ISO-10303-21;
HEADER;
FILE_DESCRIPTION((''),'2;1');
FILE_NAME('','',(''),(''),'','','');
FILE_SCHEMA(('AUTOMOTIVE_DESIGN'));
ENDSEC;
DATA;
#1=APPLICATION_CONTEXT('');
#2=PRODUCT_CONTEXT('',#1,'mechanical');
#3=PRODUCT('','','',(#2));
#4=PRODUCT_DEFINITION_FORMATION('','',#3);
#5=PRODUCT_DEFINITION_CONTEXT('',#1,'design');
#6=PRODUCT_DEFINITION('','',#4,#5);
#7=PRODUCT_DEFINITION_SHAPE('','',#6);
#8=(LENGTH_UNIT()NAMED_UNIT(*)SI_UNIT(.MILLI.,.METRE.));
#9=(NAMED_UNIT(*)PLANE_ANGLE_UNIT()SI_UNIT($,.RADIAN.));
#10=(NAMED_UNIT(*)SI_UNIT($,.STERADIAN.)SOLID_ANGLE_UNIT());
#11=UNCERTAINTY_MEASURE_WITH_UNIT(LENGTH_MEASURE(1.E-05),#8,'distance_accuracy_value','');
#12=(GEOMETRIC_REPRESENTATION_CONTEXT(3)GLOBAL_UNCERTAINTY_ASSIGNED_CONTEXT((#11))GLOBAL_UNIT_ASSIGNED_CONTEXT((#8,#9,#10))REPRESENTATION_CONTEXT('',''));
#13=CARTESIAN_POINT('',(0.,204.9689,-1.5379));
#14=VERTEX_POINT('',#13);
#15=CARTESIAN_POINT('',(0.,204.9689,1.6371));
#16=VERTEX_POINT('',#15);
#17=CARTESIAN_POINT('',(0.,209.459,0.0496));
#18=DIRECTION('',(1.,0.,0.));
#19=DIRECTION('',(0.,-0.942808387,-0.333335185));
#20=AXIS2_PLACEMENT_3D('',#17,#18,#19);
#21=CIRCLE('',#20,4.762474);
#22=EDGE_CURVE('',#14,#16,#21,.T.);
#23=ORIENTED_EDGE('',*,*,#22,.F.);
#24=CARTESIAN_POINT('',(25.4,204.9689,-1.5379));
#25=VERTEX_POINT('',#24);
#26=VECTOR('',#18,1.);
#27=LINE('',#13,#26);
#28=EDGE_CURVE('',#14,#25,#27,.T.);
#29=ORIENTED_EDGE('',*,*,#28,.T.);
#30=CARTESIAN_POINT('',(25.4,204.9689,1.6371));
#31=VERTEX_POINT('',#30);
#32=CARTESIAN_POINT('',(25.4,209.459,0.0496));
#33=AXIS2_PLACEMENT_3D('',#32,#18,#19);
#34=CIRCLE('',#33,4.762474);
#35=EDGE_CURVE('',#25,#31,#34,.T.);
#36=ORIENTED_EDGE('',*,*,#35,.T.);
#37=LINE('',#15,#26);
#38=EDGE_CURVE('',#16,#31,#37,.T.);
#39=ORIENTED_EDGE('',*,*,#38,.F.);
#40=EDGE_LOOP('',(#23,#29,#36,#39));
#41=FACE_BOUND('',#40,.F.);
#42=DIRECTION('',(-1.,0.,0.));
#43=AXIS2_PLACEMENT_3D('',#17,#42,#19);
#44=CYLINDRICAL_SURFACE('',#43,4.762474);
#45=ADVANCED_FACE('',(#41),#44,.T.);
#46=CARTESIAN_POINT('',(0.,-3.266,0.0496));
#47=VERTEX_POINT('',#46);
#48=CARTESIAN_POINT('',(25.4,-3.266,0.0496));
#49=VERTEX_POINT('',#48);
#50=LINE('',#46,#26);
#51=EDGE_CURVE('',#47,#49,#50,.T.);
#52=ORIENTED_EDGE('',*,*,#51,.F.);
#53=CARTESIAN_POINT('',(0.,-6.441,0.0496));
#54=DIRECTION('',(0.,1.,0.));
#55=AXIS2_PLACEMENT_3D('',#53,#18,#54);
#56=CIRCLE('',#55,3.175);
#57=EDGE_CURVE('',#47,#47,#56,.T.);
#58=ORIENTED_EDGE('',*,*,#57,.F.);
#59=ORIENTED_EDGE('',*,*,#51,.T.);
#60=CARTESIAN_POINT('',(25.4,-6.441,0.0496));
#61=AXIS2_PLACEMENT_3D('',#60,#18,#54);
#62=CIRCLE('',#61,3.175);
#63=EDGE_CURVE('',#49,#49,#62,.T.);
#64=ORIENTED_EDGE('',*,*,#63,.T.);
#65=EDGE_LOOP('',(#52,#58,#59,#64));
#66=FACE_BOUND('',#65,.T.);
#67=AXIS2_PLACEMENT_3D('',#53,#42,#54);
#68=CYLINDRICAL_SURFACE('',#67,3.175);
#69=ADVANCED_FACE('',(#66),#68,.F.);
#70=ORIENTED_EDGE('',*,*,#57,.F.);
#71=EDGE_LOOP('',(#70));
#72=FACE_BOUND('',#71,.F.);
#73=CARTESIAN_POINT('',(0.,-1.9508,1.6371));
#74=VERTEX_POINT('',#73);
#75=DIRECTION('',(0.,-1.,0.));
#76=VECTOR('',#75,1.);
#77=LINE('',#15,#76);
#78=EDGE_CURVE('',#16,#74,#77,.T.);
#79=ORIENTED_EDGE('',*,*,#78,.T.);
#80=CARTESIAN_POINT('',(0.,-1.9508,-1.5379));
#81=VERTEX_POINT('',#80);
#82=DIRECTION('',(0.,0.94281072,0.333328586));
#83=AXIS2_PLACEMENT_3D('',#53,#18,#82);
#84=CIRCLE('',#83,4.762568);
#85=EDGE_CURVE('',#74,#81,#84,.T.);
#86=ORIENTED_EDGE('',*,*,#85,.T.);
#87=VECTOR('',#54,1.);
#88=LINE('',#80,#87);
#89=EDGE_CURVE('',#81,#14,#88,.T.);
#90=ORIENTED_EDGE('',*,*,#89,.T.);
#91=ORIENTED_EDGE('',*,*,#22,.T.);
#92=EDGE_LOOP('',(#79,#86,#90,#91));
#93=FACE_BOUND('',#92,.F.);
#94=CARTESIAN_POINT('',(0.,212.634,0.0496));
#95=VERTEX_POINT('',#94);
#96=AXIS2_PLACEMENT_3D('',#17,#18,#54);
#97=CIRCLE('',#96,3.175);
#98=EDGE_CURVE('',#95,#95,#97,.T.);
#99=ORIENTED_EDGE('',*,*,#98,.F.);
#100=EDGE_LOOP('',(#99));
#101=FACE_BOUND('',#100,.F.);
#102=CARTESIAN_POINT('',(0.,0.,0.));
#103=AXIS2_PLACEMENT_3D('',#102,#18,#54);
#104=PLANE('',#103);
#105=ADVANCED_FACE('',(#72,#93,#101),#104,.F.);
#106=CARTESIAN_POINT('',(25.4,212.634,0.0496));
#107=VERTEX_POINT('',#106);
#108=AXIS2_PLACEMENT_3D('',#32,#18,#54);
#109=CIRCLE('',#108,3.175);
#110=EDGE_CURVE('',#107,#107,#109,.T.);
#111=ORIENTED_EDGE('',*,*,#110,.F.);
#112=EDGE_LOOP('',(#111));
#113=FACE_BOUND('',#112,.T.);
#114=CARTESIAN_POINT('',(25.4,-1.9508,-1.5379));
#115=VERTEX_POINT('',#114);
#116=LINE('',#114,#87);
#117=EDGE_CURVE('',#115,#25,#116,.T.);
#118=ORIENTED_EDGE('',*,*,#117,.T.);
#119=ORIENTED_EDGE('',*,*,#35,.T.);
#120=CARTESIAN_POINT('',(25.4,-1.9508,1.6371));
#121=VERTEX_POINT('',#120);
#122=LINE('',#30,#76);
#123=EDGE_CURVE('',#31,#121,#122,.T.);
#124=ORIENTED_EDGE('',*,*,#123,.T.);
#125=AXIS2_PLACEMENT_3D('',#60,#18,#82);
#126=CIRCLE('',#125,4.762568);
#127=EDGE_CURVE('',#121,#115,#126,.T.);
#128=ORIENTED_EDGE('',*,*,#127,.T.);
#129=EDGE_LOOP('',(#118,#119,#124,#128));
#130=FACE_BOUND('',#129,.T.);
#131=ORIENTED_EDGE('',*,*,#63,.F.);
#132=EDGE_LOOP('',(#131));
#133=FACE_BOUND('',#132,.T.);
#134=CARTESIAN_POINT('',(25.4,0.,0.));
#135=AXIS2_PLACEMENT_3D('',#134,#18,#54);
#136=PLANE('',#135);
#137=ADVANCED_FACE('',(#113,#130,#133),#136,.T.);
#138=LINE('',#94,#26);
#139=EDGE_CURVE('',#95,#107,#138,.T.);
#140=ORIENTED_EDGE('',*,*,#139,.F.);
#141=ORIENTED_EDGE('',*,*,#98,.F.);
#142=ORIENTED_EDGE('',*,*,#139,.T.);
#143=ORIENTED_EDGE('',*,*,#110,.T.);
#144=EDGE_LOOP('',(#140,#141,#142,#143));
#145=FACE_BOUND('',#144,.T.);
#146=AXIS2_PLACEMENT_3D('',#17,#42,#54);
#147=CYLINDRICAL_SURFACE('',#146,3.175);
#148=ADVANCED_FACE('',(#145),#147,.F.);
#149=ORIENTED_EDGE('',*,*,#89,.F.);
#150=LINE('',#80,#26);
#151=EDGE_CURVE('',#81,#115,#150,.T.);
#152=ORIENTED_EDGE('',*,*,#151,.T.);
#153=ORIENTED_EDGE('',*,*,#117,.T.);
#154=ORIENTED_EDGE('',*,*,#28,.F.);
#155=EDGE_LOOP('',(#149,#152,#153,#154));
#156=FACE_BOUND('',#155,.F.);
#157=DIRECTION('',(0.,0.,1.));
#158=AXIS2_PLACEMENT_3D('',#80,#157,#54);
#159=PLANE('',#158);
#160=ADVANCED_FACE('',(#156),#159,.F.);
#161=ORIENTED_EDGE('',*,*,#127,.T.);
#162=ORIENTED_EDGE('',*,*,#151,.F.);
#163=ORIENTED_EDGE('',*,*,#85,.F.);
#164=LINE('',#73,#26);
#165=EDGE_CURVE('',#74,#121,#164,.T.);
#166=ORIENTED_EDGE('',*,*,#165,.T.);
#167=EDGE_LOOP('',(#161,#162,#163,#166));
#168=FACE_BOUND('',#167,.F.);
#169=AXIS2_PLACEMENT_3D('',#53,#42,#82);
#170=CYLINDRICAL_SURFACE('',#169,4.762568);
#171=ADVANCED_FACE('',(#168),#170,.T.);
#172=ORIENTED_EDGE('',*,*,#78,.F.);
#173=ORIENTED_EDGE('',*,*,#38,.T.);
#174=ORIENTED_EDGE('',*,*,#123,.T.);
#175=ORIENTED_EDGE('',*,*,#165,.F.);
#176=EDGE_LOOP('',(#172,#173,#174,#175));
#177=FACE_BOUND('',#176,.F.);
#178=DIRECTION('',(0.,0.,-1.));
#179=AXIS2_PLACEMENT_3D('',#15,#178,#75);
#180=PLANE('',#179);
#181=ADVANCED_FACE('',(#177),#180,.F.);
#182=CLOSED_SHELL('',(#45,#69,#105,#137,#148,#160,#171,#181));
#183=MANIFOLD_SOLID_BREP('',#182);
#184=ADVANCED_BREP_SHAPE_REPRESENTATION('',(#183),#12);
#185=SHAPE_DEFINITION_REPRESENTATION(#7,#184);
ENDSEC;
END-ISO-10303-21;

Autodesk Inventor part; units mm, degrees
ref_plane "YZ Plane" through (0, 0, 0) normal (1, 0, 0) x (0, 1, 0)
ref_plane "XZ Plane" through (0, 0, 0) normal (0, 1, 0) x (-1, 0, 0)
ref_plane "XY Plane" through (0, 0, 0) normal (0, 0, 1) x (1, 0, 0)
sketch "Sketch1" plane through (0, 0, 0) normal (1, 0, 0) x (0, 1, 0)
  line L0 (204.9689, 1.6371) -> (-1.9508, 1.6371)
  line L1 (-1.9508, -1.5379) -> (204.9689, -1.5379)
  circle A0 centre (-6.441, 0.0496) radius 3.175
  circle A1 centre (209.459, 0.0496) radius 3.175
  arc A2 (-1.9508, 1.6371) -> (-1.9508, -1.5379) centre (-6.441, 0.0496) ccw
  arc A3 (204.9689, -1.5379) -> (204.9689, 1.6371) centre (209.459, 0.0496) ccw
  point P0 (0, 0)
  dimension "d0" = 3.175
  dimension "d2" = 6.35
  dimension "d3" = 6.35
  dimension "d4" = 1.5875
  dimension "d5" = 1.5875
  dimension "d8" = 215.9
extrude "Extrusion1" add sketch "Sketch1" along normal blind 25.4
properties part number "aimingcontrol" material "Aluminum 6061"
